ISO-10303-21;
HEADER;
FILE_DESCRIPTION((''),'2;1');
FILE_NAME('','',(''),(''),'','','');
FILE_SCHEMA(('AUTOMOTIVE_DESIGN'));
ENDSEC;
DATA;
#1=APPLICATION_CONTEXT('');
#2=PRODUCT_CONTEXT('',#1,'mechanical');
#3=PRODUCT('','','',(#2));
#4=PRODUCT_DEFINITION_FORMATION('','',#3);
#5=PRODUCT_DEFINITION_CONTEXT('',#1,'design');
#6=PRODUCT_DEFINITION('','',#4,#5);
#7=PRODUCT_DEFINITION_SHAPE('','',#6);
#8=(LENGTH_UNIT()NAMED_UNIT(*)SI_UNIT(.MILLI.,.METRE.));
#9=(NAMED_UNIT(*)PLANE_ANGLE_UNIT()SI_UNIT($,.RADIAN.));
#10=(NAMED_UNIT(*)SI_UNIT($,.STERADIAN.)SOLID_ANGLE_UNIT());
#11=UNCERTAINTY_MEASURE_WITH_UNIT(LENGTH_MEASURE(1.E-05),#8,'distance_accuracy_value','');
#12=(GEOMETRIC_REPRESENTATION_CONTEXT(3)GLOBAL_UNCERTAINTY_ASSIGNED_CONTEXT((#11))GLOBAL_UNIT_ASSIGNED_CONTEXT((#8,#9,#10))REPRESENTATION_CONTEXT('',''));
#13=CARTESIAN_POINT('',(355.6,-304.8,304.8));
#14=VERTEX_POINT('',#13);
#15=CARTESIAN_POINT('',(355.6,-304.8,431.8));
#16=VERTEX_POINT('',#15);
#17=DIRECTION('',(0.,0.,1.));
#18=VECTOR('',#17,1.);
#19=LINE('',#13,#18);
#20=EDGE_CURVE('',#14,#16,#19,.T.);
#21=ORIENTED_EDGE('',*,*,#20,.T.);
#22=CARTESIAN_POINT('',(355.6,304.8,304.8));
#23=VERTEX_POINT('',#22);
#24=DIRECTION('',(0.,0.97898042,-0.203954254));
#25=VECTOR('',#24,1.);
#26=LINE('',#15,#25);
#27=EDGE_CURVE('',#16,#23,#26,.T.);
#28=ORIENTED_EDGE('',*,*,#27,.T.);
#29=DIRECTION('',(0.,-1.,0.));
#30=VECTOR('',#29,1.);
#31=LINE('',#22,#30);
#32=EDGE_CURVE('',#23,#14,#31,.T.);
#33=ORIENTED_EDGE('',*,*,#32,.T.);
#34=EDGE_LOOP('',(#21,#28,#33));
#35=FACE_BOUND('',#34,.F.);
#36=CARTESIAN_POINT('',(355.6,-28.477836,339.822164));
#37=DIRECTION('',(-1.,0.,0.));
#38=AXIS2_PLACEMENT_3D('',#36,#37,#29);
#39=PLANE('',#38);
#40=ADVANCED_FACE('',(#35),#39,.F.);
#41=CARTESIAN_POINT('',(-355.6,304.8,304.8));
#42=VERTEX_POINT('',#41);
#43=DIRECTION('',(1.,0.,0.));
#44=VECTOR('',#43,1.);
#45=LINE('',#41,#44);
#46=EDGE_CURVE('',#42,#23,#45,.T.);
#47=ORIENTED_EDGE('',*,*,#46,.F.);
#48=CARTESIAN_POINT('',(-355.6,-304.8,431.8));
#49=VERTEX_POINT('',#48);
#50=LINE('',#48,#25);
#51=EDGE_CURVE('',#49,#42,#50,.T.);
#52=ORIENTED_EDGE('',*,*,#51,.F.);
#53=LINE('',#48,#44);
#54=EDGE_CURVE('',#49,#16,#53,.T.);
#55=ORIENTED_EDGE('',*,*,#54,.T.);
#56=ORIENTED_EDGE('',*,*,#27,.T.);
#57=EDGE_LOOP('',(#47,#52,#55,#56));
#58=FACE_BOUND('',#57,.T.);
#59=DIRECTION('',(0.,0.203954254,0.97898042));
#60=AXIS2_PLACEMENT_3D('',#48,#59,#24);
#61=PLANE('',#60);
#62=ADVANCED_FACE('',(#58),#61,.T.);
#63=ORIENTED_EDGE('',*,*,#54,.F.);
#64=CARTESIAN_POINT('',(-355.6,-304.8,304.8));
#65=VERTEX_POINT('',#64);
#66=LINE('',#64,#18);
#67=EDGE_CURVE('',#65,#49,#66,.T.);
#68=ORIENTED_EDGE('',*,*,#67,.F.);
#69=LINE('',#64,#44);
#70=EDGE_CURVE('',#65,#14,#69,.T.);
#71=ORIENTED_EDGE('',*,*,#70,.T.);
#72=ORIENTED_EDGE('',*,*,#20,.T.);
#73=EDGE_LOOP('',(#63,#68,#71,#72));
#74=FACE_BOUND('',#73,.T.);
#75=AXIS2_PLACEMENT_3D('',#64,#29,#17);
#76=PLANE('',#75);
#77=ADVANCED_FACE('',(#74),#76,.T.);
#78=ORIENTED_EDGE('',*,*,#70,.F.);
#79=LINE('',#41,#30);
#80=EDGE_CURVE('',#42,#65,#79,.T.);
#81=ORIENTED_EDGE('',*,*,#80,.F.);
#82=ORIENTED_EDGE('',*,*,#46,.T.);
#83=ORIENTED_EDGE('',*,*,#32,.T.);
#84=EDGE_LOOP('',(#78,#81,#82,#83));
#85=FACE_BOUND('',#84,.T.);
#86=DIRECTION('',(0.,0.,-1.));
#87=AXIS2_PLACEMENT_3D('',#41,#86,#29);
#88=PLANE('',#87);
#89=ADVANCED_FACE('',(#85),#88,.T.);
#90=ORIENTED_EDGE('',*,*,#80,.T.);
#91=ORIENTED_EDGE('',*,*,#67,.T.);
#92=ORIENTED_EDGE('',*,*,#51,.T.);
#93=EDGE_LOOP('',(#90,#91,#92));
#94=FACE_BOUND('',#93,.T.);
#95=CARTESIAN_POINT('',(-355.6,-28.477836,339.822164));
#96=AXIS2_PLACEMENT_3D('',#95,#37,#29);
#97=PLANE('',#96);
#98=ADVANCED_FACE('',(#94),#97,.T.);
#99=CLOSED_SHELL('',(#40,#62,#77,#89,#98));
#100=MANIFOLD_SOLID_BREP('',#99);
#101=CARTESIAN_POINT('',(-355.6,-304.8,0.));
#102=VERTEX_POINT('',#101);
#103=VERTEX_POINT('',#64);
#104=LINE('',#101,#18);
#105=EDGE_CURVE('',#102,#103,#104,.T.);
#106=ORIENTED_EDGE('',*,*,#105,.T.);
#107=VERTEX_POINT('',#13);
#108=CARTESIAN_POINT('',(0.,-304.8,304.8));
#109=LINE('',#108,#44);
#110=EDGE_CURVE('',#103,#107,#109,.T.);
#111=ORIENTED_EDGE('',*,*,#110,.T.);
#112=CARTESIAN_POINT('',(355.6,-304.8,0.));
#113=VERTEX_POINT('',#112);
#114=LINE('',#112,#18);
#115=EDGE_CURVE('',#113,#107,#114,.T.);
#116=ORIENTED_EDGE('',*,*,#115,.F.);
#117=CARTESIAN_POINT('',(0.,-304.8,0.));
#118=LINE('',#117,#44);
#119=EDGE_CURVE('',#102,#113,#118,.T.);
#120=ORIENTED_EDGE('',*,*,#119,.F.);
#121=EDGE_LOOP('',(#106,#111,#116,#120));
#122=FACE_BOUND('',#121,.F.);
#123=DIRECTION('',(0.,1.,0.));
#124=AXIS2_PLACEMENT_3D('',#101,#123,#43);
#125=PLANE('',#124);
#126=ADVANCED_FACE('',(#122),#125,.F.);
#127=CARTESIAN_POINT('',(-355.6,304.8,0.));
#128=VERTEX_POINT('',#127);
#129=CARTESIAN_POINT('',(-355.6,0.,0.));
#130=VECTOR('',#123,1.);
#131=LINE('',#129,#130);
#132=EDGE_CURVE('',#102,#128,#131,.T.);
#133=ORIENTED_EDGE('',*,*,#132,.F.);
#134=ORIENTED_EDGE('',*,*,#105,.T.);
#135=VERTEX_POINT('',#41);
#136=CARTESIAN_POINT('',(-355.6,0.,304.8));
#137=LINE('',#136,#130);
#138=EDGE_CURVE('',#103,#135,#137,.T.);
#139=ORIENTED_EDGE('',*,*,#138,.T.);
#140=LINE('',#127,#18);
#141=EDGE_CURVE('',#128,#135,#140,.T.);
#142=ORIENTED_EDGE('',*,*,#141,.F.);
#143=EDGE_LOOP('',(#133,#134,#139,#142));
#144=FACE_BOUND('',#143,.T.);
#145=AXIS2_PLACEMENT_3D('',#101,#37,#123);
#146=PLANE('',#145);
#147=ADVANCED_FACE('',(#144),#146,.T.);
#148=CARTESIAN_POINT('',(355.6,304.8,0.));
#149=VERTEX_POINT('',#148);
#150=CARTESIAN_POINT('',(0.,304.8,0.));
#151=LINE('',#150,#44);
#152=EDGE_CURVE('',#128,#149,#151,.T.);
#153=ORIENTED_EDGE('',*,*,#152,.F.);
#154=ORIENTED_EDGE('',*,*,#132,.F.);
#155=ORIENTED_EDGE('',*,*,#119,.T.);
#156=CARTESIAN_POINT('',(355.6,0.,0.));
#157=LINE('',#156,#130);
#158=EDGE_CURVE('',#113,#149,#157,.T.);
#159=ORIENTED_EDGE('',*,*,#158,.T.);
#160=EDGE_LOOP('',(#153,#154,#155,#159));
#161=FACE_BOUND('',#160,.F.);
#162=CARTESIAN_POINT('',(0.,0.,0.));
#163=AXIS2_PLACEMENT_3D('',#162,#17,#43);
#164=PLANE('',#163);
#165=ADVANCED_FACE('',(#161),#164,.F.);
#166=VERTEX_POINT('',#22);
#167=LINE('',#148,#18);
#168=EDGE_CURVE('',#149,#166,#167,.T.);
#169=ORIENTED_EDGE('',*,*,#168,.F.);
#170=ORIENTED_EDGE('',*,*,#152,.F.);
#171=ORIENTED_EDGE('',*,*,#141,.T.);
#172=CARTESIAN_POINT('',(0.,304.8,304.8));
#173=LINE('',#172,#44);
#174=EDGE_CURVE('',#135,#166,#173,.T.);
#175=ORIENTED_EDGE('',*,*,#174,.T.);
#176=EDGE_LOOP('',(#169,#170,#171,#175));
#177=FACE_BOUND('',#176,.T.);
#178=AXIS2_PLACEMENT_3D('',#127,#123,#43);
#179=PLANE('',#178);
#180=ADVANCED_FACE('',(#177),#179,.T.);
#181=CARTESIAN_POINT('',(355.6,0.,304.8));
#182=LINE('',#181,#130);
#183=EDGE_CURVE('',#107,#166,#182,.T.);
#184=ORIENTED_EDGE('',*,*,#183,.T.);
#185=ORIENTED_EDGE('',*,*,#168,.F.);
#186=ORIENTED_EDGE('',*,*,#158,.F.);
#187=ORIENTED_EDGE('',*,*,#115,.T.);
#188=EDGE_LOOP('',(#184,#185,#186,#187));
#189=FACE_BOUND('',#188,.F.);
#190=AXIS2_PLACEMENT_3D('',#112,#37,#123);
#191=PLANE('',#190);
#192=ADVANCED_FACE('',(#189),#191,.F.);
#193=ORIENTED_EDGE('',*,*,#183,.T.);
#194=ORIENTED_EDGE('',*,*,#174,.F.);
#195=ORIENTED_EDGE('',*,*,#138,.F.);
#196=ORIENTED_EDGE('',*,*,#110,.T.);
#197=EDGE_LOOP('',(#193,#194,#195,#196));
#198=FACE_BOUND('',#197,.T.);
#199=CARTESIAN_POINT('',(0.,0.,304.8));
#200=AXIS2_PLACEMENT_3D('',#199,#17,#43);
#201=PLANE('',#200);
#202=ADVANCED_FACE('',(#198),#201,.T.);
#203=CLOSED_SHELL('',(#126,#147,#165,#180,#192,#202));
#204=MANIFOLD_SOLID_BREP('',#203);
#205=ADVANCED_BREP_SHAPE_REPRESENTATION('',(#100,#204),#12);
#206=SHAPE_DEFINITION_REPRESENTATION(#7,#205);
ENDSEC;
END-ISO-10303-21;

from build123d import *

# Parameters (mm, degrees)
F0_W     = 711.2
F0_H     = 609.6
F1_DEPTH = 304.8
F3_DEPTH = 711.2


with BuildPart() as f1:
    # F0 (on Top) → F1 (new body)
    with BuildSketch(Plane.XY):
        Rectangle(F0_W, F0_H)
    extrude(amount=F1_DEPTH)


with BuildPart() as f3:
    # F2 (on face) → F3 (new body)
    with BuildSketch(Plane(origin=(-355.6, 0, 0), x_dir=(0, -1, 0), z_dir=(-1, 0, 0))):
        Polygon((304.8, 431.8), (-304.8, 304.8), (304.8, 304.8), align=None)
    extrude(amount=-F3_DEPTH)


solid = Compound([f1.part, f3.part])
